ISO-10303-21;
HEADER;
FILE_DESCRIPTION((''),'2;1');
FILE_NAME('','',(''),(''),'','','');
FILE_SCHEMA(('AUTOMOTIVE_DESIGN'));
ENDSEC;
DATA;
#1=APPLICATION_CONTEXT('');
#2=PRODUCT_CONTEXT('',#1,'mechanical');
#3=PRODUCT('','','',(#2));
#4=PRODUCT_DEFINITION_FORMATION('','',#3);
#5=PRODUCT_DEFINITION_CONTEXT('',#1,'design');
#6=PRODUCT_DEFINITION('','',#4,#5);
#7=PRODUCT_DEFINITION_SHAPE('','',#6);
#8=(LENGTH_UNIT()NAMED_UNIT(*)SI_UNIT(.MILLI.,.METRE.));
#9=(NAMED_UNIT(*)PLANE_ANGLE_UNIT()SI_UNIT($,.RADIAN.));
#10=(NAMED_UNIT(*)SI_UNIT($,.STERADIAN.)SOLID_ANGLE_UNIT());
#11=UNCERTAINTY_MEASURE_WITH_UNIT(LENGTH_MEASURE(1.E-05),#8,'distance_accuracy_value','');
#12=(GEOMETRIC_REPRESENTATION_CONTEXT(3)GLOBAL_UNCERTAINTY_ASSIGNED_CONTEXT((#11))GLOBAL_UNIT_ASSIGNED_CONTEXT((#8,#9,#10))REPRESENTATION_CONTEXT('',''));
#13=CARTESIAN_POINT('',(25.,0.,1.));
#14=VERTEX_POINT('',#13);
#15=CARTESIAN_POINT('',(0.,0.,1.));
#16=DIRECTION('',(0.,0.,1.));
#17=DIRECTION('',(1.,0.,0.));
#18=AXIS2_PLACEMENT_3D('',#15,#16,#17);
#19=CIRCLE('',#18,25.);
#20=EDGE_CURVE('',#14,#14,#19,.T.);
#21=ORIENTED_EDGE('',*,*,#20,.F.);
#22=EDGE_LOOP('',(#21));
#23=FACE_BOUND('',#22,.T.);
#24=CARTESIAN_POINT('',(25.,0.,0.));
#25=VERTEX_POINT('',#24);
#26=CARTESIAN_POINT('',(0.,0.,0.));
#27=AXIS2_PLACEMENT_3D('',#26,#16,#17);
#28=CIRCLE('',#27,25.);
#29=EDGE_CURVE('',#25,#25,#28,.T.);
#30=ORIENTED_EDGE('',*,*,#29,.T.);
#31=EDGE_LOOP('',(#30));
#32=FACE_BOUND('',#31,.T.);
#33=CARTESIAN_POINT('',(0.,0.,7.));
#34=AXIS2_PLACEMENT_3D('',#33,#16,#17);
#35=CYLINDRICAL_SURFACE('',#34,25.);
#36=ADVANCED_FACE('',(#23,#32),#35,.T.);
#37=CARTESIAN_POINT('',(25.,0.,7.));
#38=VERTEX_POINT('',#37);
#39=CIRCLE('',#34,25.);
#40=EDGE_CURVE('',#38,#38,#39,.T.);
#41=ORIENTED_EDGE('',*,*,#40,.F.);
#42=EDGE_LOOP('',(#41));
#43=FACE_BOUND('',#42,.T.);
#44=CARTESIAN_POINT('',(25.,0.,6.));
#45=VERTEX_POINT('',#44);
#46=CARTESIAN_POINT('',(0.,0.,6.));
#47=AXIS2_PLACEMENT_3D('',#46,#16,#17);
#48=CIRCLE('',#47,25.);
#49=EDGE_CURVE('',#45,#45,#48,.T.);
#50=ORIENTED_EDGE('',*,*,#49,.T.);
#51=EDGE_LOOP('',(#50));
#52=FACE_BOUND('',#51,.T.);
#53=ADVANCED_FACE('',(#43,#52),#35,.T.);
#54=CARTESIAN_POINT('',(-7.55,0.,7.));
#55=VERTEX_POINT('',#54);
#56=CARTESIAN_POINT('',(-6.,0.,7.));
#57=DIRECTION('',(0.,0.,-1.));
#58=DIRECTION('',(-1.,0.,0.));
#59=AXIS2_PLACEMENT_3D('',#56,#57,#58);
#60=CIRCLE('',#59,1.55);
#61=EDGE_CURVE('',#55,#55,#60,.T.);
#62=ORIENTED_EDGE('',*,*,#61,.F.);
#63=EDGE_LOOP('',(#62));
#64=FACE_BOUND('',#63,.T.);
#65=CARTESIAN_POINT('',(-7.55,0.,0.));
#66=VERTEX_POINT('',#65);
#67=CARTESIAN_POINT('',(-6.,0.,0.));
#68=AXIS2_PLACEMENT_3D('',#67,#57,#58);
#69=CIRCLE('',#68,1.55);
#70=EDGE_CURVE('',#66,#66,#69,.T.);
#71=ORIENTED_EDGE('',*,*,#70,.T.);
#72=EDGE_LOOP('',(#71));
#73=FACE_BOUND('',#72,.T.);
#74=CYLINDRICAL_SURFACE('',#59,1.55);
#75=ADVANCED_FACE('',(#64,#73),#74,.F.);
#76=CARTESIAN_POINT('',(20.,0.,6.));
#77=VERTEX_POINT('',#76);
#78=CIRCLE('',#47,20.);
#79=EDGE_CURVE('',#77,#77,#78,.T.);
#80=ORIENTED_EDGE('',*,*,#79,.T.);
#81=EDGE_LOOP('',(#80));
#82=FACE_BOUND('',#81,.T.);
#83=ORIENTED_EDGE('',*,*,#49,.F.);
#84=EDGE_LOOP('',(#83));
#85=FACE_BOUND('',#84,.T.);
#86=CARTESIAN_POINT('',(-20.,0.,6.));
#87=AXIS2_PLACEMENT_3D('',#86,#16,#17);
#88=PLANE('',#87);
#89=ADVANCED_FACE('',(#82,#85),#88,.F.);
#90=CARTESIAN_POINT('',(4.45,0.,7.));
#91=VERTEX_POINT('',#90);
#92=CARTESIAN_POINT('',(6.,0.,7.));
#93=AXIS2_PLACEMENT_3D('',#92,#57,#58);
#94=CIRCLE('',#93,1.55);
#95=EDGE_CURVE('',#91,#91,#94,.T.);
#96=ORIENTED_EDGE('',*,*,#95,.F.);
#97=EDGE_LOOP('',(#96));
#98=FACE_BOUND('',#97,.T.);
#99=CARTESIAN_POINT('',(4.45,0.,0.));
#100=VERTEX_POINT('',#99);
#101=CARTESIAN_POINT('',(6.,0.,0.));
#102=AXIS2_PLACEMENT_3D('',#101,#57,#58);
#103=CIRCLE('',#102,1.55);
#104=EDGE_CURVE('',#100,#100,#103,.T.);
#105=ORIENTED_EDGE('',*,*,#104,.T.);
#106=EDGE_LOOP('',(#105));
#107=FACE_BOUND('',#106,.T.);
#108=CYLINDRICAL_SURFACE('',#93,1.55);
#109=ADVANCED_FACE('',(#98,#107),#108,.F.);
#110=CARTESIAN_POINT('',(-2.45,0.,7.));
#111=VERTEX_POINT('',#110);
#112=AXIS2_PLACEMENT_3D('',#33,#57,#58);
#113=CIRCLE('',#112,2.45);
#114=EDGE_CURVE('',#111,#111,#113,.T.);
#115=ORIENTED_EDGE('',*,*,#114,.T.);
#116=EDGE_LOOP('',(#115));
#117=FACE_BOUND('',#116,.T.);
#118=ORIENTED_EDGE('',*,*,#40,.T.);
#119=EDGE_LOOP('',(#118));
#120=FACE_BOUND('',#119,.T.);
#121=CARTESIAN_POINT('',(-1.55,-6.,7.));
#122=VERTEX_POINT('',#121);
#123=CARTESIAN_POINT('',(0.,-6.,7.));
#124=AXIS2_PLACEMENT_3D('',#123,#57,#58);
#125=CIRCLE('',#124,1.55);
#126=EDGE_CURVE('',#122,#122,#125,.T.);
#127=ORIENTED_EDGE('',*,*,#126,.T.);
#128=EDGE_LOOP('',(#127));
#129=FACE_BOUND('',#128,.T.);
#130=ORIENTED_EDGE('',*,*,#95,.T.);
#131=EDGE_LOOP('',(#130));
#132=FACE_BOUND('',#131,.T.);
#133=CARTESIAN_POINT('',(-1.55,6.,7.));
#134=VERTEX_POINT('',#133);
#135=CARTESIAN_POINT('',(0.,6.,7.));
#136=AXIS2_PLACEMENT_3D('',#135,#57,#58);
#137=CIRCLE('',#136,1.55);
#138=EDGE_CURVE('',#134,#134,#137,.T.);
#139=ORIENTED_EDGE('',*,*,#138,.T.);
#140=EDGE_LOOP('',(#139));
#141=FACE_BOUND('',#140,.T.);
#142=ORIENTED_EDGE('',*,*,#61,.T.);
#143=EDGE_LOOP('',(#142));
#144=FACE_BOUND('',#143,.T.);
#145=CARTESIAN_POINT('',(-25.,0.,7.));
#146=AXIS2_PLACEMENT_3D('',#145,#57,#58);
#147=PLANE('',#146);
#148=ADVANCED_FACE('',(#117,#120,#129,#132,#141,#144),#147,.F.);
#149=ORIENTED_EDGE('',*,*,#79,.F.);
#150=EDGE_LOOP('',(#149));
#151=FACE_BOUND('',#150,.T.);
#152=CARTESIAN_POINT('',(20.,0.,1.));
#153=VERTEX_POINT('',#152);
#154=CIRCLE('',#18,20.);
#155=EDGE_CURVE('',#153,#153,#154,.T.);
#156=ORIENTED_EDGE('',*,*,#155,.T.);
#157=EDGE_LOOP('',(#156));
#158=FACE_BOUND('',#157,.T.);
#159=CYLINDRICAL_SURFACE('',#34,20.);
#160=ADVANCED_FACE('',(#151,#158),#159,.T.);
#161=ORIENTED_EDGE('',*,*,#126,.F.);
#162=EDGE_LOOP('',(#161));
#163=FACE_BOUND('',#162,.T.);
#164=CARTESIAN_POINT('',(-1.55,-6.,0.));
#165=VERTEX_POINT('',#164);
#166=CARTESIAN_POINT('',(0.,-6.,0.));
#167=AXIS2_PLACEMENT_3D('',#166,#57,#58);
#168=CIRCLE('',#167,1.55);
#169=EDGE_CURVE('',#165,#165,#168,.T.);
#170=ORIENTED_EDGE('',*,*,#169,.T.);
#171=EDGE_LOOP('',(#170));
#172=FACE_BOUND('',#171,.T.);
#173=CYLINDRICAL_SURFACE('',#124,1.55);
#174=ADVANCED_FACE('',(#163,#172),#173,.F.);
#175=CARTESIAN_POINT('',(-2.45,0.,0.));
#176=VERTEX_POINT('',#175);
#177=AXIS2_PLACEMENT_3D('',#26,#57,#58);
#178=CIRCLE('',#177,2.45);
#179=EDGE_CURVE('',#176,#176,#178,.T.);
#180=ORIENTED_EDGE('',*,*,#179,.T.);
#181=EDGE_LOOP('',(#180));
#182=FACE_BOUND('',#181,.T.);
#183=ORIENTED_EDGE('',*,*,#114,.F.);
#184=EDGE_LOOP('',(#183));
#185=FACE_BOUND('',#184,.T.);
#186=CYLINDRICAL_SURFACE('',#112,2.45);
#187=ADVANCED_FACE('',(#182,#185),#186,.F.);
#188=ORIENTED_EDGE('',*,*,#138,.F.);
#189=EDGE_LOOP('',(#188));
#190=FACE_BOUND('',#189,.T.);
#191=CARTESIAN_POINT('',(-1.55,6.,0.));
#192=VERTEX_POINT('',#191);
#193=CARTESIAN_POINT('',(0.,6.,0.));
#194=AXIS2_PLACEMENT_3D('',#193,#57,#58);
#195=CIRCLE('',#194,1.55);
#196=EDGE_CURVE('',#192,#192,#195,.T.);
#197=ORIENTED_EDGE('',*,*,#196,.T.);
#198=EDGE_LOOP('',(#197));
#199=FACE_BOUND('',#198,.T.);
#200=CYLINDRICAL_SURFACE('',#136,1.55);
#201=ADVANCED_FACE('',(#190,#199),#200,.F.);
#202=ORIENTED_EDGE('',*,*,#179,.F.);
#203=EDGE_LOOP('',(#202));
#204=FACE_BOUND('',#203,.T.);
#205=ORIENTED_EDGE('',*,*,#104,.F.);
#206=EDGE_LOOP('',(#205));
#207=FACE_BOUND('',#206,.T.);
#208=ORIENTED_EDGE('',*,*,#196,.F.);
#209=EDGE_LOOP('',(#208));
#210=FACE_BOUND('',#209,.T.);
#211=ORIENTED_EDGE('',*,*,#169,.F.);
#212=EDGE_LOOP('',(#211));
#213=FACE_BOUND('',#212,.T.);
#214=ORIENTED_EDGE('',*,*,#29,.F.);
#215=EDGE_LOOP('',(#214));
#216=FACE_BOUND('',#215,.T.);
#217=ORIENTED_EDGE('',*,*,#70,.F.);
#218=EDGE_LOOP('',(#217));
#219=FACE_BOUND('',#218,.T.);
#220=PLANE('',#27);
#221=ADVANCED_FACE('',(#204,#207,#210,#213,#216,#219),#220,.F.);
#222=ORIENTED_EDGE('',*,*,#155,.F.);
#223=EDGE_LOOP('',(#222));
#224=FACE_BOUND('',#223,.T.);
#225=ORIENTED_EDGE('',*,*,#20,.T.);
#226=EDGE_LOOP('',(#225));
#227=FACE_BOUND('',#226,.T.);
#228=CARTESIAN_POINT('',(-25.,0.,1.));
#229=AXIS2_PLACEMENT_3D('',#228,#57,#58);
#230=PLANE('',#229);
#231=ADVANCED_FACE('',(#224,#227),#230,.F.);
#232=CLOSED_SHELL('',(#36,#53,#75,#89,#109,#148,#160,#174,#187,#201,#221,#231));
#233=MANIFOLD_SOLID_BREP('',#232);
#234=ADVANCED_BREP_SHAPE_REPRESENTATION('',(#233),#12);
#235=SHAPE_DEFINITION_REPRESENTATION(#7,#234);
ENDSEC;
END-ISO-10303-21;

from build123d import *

# Parameters (mm, degrees)
SKETCH4_R          = 1.55
SKETCH4_R_2        = 2.45
CUT_EXTRUDE1_DEPTH = 37.041642582


with BuildPart() as part:
    # Sketch3 → Revolve2 (revolve)
    with BuildSketch(Plane(origin=(0, 0, 0), x_dir=(1, 0, 0), z_dir=(0, 1, 0)), mode=Mode.PRIVATE) as revolve2_sk:
        Polygon((0, 0), (-25, 0), (-25, -1), (-20, -1), (-20, -6), (-25, -6), (-25, -7), (0, -7), align=None)
    revolve(revolve2_sk.sketch.rotate(Axis((0, 0, 7), (0, 0, -1)), 180), axis=Axis((0, 0, 7), (0, 0, -1)))

    # Sketch4 → Cut-Extrude1 (cut, through all)
    with BuildSketch(Plane(origin=(0, 0, 0), x_dir=(-1, 0, 0), z_dir=(0, 0, -1))):
        with Locations((0, 6)):
            Circle(SKETCH4_R)
        with Locations((6, 0)):
            Circle(SKETCH4_R)
        with Locations((0, -6)):
            Circle(SKETCH4_R)
        with Locations((-6, 0)):
            Circle(SKETCH4_R)
        Circle(SKETCH4_R_2)
    extrude(amount=-CUT_EXTRUDE1_DEPTH, mode=Mode.SUBTRACT)


solid = part.part
